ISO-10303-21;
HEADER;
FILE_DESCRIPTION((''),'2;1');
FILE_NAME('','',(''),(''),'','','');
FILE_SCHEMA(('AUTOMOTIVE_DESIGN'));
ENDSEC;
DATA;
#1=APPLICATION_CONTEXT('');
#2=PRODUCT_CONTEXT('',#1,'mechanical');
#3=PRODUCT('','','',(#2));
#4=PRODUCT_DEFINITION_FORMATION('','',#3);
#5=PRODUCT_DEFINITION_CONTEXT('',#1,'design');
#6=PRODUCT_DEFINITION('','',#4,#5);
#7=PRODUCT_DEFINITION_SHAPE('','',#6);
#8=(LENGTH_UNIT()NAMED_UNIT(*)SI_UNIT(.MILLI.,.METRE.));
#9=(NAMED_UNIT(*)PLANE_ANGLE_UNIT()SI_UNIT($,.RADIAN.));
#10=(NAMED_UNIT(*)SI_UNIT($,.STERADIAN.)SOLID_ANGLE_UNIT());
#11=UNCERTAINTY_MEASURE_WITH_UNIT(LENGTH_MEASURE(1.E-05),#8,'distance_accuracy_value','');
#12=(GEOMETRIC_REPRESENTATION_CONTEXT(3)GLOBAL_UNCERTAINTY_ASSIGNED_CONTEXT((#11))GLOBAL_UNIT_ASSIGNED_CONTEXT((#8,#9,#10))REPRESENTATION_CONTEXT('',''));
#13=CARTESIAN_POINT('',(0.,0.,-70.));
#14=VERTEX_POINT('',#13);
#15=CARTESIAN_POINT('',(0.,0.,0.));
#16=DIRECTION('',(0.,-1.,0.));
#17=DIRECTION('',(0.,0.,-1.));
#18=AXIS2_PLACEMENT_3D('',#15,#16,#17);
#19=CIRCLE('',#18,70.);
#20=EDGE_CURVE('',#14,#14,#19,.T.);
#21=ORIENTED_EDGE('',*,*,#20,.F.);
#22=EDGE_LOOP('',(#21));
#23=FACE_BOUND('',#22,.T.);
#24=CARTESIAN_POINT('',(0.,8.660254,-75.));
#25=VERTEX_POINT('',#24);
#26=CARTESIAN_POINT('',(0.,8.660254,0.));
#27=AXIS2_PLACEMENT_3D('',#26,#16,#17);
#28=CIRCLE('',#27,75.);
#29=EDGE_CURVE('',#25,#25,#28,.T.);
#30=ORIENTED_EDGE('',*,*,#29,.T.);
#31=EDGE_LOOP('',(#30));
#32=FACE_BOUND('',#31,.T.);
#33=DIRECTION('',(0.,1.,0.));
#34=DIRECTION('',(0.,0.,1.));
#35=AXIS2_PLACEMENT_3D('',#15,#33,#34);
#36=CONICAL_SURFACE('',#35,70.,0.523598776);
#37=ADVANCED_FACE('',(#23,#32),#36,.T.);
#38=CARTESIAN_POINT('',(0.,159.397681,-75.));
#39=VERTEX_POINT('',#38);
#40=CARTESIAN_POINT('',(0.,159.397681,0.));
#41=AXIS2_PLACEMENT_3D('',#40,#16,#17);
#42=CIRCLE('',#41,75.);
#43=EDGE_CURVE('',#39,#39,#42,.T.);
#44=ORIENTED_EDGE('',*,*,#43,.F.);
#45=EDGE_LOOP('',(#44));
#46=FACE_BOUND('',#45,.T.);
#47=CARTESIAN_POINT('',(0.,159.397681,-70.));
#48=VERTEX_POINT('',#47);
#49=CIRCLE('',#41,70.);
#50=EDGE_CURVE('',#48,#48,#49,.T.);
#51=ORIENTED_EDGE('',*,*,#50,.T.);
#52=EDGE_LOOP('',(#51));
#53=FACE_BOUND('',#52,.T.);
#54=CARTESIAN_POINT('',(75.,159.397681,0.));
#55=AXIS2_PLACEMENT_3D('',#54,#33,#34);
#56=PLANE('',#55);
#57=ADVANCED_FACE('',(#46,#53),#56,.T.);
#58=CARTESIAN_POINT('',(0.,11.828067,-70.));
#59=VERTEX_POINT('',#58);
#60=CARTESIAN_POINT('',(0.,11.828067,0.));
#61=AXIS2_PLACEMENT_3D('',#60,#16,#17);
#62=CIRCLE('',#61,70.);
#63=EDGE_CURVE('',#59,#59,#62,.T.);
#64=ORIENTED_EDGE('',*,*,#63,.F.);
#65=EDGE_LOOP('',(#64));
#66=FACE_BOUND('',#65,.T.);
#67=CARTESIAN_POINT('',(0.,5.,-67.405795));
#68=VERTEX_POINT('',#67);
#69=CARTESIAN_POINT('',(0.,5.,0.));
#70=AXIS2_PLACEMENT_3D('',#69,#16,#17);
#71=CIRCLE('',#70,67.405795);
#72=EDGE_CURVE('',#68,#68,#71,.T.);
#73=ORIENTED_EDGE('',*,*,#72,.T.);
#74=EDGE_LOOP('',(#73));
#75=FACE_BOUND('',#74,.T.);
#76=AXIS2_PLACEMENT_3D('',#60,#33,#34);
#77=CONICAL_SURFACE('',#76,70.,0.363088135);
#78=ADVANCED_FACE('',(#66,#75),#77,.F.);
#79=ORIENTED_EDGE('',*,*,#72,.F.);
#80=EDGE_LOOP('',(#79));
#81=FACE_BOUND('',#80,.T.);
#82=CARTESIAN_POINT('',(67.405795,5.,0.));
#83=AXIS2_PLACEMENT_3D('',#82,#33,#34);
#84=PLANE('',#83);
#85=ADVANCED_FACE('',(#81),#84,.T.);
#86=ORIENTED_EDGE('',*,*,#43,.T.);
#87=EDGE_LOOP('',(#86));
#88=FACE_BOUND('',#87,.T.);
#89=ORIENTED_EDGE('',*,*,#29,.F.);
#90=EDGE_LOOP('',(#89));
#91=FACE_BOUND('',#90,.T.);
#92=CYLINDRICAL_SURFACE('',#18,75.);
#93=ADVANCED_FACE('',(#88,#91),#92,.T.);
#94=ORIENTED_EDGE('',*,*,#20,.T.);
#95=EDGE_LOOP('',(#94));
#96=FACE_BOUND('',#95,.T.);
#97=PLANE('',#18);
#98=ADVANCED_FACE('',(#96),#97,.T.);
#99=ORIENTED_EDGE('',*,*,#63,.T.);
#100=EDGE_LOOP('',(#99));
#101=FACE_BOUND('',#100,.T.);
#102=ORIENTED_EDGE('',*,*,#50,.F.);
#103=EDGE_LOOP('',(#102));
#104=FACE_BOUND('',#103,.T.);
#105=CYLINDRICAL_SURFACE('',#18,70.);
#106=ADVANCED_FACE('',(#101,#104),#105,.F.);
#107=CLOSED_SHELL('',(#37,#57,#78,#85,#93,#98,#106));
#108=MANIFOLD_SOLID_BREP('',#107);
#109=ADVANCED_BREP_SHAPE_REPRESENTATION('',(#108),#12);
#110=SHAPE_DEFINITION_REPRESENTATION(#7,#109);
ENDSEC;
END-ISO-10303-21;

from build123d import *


with BuildPart() as part:
    # Sketch4 → Revolve1 (revolve)
    with BuildSketch(Plane.XY, mode=Mode.PRIVATE) as revolve1_sk:
        Polygon((0, 0), (70, 0), (75, 8.660254038), (75, 98.660254038), (75, 159.39768106), (70, 159.39768106), (70, 98.660254038), (70, 11.828066939), (67.405794607, 5), (0, 5), align=None)
    revolve(revolve1_sk.sketch.rotate(Axis((0, 0, 0), (0, 1, 0)), 90), axis=Axis((0, 0, 0), (0, 1, 0)))


solid = part.part
